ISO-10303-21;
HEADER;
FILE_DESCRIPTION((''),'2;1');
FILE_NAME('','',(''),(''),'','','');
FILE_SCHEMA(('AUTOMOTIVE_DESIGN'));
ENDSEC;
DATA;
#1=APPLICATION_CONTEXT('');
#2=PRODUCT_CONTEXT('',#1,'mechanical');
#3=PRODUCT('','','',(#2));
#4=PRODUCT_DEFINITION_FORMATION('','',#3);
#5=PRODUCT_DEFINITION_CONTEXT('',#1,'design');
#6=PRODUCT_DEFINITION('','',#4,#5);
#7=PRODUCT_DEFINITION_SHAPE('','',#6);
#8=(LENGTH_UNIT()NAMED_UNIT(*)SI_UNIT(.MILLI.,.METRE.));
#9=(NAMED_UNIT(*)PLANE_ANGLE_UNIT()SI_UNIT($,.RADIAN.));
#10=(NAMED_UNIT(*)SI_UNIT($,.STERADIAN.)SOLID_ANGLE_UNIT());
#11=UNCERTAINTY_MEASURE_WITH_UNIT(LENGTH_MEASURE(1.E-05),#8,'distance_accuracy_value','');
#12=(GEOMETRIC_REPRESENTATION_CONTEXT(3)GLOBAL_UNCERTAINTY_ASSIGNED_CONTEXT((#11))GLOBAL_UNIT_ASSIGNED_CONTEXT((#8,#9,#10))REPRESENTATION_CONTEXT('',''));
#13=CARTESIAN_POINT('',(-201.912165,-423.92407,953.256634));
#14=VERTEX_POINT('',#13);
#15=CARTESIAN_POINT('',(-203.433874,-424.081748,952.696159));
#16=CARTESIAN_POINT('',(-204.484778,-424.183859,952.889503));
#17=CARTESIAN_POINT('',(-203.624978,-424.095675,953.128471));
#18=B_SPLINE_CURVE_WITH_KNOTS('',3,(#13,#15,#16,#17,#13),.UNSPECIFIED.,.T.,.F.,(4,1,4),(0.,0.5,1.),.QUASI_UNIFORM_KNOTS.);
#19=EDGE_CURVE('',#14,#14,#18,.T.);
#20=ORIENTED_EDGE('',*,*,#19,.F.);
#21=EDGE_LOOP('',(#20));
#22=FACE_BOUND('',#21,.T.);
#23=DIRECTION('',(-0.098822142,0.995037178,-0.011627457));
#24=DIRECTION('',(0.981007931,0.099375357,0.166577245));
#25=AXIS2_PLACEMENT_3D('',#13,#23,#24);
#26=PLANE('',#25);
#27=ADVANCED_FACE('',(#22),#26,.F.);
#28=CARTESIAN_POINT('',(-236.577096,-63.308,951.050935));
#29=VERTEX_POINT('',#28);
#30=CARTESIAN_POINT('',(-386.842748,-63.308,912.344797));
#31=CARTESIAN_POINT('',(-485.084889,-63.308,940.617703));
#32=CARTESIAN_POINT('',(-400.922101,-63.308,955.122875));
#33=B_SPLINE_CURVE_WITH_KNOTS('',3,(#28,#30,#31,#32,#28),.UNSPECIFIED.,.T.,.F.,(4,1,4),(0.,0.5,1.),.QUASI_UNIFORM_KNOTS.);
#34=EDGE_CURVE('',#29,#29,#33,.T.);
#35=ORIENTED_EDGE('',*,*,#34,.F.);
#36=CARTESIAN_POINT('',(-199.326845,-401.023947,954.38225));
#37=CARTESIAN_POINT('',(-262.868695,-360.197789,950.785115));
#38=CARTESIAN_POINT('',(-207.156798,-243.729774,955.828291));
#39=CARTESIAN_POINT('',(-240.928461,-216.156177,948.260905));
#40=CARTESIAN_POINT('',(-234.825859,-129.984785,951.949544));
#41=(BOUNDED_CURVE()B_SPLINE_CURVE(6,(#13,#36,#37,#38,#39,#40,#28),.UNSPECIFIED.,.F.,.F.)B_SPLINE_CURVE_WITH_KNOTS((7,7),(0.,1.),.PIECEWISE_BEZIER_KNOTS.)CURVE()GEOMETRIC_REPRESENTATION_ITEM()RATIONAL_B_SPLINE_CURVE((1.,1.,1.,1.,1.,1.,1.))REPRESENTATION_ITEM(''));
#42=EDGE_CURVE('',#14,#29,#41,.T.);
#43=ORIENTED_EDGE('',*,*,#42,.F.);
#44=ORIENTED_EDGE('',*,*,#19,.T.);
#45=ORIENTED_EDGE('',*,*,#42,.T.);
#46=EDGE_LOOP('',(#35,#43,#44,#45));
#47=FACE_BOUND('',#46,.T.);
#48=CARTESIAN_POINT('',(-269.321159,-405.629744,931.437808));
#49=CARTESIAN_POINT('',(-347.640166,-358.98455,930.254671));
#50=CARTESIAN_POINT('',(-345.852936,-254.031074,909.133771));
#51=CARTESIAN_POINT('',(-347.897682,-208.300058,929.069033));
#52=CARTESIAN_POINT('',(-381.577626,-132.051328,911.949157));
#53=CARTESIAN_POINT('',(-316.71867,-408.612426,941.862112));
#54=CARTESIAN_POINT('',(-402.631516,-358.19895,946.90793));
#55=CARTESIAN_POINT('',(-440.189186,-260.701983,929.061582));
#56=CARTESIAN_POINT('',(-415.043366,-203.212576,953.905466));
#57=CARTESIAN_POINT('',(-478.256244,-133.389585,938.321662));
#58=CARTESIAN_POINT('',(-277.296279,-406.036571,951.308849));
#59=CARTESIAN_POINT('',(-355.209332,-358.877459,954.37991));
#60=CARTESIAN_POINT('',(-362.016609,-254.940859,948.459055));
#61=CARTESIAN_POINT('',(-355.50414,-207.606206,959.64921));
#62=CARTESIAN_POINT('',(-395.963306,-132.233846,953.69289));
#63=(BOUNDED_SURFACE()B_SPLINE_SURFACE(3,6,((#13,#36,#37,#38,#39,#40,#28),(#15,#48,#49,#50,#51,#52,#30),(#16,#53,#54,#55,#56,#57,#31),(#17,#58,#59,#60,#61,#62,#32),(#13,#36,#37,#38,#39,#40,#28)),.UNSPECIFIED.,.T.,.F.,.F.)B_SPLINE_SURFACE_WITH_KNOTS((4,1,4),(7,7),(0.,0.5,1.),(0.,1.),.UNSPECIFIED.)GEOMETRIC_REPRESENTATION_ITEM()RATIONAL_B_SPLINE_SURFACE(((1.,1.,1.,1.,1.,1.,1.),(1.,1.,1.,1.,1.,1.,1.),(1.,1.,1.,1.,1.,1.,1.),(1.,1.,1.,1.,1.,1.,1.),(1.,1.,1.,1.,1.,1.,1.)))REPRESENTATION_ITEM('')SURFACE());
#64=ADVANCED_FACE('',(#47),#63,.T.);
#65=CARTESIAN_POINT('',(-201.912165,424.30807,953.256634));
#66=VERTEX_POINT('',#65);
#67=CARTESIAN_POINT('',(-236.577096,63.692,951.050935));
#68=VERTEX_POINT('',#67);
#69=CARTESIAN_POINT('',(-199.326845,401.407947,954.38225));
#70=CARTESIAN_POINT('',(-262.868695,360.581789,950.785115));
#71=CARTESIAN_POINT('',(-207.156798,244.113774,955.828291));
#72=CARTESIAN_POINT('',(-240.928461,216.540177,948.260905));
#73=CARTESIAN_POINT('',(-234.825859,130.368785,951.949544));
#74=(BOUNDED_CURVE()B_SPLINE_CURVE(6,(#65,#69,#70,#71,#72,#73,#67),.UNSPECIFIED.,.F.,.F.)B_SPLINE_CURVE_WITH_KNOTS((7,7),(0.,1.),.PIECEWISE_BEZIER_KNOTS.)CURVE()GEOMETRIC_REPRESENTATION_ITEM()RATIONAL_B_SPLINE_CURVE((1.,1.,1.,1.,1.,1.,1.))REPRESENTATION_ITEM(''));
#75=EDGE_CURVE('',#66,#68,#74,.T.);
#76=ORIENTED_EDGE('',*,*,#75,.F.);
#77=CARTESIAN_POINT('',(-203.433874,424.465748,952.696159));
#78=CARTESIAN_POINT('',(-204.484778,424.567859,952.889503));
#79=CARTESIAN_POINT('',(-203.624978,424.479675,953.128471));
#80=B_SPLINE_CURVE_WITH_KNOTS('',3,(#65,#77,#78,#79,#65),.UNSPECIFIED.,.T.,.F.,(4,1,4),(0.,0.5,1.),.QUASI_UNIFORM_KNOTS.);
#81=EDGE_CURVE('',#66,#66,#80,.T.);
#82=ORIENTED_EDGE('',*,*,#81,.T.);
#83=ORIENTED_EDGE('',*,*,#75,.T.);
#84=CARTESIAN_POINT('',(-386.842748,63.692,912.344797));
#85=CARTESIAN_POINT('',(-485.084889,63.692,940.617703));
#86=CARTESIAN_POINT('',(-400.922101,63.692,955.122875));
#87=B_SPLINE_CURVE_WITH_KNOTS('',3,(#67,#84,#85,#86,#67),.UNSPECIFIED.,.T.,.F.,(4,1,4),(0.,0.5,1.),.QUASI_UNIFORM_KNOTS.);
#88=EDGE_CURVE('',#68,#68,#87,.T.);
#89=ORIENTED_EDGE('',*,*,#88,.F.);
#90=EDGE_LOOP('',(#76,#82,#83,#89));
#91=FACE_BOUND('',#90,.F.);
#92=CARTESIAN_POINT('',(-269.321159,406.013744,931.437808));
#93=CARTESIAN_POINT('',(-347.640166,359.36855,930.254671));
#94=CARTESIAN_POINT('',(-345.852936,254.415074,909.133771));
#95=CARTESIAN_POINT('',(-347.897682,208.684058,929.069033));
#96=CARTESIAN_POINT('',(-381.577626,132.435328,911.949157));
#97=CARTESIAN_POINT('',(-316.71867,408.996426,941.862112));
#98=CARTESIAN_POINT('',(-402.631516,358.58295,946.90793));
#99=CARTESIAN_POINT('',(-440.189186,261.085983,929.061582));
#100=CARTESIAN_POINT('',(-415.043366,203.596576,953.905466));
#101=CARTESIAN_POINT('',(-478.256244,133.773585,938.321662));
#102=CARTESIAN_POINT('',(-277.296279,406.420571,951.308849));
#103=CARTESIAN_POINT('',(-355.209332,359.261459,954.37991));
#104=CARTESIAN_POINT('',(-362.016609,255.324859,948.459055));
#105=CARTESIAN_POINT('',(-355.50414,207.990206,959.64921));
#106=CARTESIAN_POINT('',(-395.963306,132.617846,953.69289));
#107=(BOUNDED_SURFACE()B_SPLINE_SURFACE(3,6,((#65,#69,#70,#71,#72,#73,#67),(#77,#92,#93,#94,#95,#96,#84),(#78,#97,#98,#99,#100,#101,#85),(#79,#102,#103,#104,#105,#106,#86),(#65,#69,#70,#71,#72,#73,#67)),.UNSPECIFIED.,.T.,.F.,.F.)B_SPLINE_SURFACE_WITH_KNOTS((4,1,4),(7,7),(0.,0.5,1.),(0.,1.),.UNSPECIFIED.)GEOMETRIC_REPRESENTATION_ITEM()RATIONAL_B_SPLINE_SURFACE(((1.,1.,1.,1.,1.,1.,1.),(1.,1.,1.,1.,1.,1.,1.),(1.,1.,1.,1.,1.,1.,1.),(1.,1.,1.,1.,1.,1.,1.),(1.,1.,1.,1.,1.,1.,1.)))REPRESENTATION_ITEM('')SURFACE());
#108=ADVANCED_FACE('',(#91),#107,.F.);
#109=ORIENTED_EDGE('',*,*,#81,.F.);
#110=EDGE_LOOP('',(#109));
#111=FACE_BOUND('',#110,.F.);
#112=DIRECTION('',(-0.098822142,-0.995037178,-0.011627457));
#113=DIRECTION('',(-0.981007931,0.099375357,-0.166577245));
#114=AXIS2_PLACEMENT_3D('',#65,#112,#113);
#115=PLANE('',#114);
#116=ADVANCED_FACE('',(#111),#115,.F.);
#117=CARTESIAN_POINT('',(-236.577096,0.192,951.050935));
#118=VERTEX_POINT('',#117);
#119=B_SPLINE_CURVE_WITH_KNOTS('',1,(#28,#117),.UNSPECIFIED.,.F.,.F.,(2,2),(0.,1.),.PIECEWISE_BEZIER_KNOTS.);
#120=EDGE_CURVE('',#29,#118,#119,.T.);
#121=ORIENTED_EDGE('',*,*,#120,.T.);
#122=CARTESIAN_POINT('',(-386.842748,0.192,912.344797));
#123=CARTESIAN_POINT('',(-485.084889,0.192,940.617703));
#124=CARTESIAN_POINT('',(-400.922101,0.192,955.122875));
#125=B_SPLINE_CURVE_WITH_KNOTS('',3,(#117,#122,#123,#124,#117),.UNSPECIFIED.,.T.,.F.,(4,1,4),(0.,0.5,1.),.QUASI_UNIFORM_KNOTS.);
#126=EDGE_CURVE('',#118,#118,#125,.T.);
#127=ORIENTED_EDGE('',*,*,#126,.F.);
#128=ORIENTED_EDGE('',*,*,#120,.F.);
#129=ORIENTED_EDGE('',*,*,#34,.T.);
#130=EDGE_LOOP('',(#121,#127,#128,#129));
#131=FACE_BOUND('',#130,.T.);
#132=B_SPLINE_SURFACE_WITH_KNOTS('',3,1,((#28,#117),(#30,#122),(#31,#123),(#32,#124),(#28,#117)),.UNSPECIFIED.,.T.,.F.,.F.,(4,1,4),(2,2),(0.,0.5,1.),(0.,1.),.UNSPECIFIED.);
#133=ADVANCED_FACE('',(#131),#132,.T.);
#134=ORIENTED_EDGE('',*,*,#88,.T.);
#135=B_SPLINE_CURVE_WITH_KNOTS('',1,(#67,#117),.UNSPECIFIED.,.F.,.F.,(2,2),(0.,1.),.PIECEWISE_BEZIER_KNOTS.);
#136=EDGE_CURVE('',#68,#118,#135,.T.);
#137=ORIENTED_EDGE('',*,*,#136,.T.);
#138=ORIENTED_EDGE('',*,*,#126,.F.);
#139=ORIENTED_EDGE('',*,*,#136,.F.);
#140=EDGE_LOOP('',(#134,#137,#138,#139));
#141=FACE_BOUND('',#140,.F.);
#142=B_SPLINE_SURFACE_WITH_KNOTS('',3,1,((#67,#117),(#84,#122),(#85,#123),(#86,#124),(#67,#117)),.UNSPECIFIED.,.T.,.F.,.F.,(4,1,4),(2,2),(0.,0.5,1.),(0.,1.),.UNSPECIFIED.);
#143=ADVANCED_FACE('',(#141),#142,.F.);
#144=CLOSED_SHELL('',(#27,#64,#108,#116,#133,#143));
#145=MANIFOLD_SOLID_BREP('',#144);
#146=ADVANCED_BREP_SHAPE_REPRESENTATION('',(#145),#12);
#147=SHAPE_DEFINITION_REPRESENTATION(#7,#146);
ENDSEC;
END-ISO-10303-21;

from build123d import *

# Parameters (mm, degrees)
PART_MIRRORING002_PLACEMENT_ANGLE = 180
FUSION016_PLACEMENT_ANGLE         = 179


with BuildPart() as additiveloft008:
    # Sketch076 → AdditiveLoft007 section 0
    with BuildSketch(Plane(origin=(-95.25, 284.48, 0), x_dir=(0.990099, 0.099504, 0.09901), z_dir=(0.09901, -0.995037, 0.009901))):
        with BuildLine():
            add(Edge.make_bspline(
                [(-0.642491, 0.016306), (0.942151, 0.395123), (1.968355, 0.0803), (1.082123, -0.056559), (-0.642491, 0.016306)],
                knots=[0, 0, 0, 0, 0.5, 1, 1, 1, 1], degree=3))
        make_face()
    # Sketch077 → AdditiveLoft007 section 1
    with BuildSketch(Plane(origin=(-88.9, 279.4, 0), x_dir=(0.996413, 0.059892, 0.059785), z_dir=(0.059785, -0.998205, 0.003587))):
        with BuildLine():
            add(Edge.make_bspline(
                [(-6.424909, 0.163064), (9.421511, 3.951227), (19.683554, 0.802995), (10.821227, -0.565587), (-6.424909, 0.163064)],
                knots=[0, 0, 0, 0, 0.5, 1, 1, 1, 1], degree=3))
        make_face()
    # Sketch078 → AdditiveLoft007 section 2
    with BuildSketch(Plane(origin=(-63.5, 254, 0), x_dir=(0.998403, 0.039968, 0.039936), z_dir=(0.039936, -0.999201, 0.001597))):
        with BuildLine():
            add(Edge.make_bspline(
                [(-21.416362, 0.543546), (31.405036, 13.170757), (65.611848, 2.67665), (36.070756, -1.885291), (-21.416362, 0.543546)],
                knots=[0, 0, 0, 0, 0.5, 1, 1, 1, 1], degree=3))
        make_face()
    # Sketch079 → AdditiveLoft007 section 3
    with BuildSketch(Plane(origin=(-25.4, 152.4, 0), x_dir=(0.9996, 0.019996, 0.019992), z_dir=(0.019992, -0.9998, 0.0004))):
        with BuildLine():
            add(Edge.make_bspline(
                [(-42.832724, 1.087092), (62.810073, 26.341514), (131.223696, 5.3533), (72.141512, -3.770583), (-42.832724, 1.087092)],
                knots=[0, 0, 0, 0, 0.5, 1, 1, 1, 1], degree=3))
        make_face()
    # Sketch081 → AdditiveLoft007 section 4
    with BuildSketch(Plane(origin=(-12.7, 50.8, 0), x_dir=(1, 0, 0), z_dir=(0, 1, 0))):
        with BuildLine():
            add(Edge.make_bspline(
                [(-52.011165, -1.32004), (76.269374, -31.986124), (159.34306, -6.500436), (87.600408, 4.578565), (-52.011165, -1.32004)],
                knots=[0, 0, 0, 0, 0.5, 1, 1, 1, 1], degree=3))
        make_face()
    # Sketch082 → AdditiveLoft007 section 5
    with BuildSketch(Plane(origin=(-3.81, -25.4, 0), x_dir=(1, 0, 0), z_dir=(0, 1, 0))):
        with BuildLine():
            add(Edge.make_bspline(
                [(-58.130126, -1.475339), (85.242241, -35.749197), (178.089302, -7.265193), (97.906338, 5.11722), (-58.130126, -1.475339)],
                knots=[0, 0, 0, 0, 0.5, 1, 1, 1, 1], degree=3))
        make_face()
    # Sketch080 → AdditiveLoft007 section 6
    with BuildSketch(Plane.XZ.offset(76.2)):
        with BuildLine():
            add(Edge.make_bspline(
                [(-61.189606, 1.552988), (89.728675, 37.630734), (187.462423, 7.647572), (103.059303, -5.386547), (-61.189606, 1.552988)],
                knots=[0, 0, 0, 0, 0.5, 1, 1, 1, 1], degree=3))
        make_face()
    loft()

    # Sketch080 → AdditiveLoft008 section 0
    with BuildSketch(Plane.XZ.offset(76.2)):
        with BuildLine():
            add(Edge.make_bspline(
                [(-61.189606, 1.552988), (89.728675, 37.630734), (187.462423, 7.647572), (103.059303, -5.386547), (-61.189606, 1.552988)],
                knots=[0, 0, 0, 0, 0.5, 1, 1, 1, 1], degree=3))
        make_face()
    # Sketch083 → AdditiveLoft008 section 1
    with BuildSketch(Plane(origin=(0, -139.7, 0), x_dir=(1, 0, 0), z_dir=(0, 1, 0))):
        with BuildLine():
            add(Edge.make_bspline(
                [(-61.189606, -1.552988), (89.728675, -37.630734), (187.462423, -7.647572), (103.059303, 5.386547), (-61.189606, -1.552988)],
                knots=[0, 0, 0, 0, 0.5, 1, 1, 1, 1], degree=3))
        make_face()
    loft()


with BuildPart() as part_mirroring002:
    # Part__Mirroring002: instance of AdditiveLoft008
    add(additiveloft008.part.mirror(Plane(origin=(0, 0, 0), x_dir=(0, 1, 0), z_dir=(0, 0, 1))))


with BuildPart() as part_mirroring002_1:
    # Part__Mirroring002 placement: moved
    add(part_mirroring002.part.moved(Location((0, -279.4, 0))).rotate(Axis((0, -279.4, 0), (1, 0, 0)), PART_MIRRORING002_PLACEMENT_ANGLE))


with BuildPart() as frontwingfull001:
    # AdditiveLoft009 base: copy of AdditiveLoft008
    add(additiveloft008.part)

    # Sketch084 → AdditiveLoft009 section 0
    with BuildSketch(Plane.XZ.offset(76.2)):
        with BuildLine():
            add(Edge.make_bspline(
                [(-61.189606, 1.552988), (89.728675, 37.630734), (187.462423, 7.647572), (103.059303, -5.386547), (-61.189606, 1.552988)],
                knots=[0, 0, 0, 0, 0.5, 1, 1, 1, 1], degree=3))
        make_face()
    # Sketch085 → AdditiveLoft009 section 1
    with BuildSketch(Plane(origin=(0, -139.7, 0), x_dir=(1, 0, 0), z_dir=(0, 1, 0))):
        with BuildLine():
            add(Edge.make_bspline(
                [(-61.189606, -1.552988), (89.728675, -37.630734), (187.462423, -7.647572), (103.059303, 5.386547), (-61.189606, -1.552988)],
                knots=[0, 0, 0, 0, 0.5, 1, 1, 1, 1], degree=3))
        make_face()
    loft()

    # Fusion016: union Part__Mirroring002
    add(part_mirroring002_1.part)


with BuildPart() as frontwingfull001_1:
    # Fusion016 placement: moved
    add(frontwingfull001.part.moved(Location((-297.784486, 139.892, 951.535781))).rotate(Axis((-297.784486, 139.892, 951.535781), (0, 1, 0)), FUSION016_PLACEMENT_ANGLE))


solid = frontwingfull001_1.part
